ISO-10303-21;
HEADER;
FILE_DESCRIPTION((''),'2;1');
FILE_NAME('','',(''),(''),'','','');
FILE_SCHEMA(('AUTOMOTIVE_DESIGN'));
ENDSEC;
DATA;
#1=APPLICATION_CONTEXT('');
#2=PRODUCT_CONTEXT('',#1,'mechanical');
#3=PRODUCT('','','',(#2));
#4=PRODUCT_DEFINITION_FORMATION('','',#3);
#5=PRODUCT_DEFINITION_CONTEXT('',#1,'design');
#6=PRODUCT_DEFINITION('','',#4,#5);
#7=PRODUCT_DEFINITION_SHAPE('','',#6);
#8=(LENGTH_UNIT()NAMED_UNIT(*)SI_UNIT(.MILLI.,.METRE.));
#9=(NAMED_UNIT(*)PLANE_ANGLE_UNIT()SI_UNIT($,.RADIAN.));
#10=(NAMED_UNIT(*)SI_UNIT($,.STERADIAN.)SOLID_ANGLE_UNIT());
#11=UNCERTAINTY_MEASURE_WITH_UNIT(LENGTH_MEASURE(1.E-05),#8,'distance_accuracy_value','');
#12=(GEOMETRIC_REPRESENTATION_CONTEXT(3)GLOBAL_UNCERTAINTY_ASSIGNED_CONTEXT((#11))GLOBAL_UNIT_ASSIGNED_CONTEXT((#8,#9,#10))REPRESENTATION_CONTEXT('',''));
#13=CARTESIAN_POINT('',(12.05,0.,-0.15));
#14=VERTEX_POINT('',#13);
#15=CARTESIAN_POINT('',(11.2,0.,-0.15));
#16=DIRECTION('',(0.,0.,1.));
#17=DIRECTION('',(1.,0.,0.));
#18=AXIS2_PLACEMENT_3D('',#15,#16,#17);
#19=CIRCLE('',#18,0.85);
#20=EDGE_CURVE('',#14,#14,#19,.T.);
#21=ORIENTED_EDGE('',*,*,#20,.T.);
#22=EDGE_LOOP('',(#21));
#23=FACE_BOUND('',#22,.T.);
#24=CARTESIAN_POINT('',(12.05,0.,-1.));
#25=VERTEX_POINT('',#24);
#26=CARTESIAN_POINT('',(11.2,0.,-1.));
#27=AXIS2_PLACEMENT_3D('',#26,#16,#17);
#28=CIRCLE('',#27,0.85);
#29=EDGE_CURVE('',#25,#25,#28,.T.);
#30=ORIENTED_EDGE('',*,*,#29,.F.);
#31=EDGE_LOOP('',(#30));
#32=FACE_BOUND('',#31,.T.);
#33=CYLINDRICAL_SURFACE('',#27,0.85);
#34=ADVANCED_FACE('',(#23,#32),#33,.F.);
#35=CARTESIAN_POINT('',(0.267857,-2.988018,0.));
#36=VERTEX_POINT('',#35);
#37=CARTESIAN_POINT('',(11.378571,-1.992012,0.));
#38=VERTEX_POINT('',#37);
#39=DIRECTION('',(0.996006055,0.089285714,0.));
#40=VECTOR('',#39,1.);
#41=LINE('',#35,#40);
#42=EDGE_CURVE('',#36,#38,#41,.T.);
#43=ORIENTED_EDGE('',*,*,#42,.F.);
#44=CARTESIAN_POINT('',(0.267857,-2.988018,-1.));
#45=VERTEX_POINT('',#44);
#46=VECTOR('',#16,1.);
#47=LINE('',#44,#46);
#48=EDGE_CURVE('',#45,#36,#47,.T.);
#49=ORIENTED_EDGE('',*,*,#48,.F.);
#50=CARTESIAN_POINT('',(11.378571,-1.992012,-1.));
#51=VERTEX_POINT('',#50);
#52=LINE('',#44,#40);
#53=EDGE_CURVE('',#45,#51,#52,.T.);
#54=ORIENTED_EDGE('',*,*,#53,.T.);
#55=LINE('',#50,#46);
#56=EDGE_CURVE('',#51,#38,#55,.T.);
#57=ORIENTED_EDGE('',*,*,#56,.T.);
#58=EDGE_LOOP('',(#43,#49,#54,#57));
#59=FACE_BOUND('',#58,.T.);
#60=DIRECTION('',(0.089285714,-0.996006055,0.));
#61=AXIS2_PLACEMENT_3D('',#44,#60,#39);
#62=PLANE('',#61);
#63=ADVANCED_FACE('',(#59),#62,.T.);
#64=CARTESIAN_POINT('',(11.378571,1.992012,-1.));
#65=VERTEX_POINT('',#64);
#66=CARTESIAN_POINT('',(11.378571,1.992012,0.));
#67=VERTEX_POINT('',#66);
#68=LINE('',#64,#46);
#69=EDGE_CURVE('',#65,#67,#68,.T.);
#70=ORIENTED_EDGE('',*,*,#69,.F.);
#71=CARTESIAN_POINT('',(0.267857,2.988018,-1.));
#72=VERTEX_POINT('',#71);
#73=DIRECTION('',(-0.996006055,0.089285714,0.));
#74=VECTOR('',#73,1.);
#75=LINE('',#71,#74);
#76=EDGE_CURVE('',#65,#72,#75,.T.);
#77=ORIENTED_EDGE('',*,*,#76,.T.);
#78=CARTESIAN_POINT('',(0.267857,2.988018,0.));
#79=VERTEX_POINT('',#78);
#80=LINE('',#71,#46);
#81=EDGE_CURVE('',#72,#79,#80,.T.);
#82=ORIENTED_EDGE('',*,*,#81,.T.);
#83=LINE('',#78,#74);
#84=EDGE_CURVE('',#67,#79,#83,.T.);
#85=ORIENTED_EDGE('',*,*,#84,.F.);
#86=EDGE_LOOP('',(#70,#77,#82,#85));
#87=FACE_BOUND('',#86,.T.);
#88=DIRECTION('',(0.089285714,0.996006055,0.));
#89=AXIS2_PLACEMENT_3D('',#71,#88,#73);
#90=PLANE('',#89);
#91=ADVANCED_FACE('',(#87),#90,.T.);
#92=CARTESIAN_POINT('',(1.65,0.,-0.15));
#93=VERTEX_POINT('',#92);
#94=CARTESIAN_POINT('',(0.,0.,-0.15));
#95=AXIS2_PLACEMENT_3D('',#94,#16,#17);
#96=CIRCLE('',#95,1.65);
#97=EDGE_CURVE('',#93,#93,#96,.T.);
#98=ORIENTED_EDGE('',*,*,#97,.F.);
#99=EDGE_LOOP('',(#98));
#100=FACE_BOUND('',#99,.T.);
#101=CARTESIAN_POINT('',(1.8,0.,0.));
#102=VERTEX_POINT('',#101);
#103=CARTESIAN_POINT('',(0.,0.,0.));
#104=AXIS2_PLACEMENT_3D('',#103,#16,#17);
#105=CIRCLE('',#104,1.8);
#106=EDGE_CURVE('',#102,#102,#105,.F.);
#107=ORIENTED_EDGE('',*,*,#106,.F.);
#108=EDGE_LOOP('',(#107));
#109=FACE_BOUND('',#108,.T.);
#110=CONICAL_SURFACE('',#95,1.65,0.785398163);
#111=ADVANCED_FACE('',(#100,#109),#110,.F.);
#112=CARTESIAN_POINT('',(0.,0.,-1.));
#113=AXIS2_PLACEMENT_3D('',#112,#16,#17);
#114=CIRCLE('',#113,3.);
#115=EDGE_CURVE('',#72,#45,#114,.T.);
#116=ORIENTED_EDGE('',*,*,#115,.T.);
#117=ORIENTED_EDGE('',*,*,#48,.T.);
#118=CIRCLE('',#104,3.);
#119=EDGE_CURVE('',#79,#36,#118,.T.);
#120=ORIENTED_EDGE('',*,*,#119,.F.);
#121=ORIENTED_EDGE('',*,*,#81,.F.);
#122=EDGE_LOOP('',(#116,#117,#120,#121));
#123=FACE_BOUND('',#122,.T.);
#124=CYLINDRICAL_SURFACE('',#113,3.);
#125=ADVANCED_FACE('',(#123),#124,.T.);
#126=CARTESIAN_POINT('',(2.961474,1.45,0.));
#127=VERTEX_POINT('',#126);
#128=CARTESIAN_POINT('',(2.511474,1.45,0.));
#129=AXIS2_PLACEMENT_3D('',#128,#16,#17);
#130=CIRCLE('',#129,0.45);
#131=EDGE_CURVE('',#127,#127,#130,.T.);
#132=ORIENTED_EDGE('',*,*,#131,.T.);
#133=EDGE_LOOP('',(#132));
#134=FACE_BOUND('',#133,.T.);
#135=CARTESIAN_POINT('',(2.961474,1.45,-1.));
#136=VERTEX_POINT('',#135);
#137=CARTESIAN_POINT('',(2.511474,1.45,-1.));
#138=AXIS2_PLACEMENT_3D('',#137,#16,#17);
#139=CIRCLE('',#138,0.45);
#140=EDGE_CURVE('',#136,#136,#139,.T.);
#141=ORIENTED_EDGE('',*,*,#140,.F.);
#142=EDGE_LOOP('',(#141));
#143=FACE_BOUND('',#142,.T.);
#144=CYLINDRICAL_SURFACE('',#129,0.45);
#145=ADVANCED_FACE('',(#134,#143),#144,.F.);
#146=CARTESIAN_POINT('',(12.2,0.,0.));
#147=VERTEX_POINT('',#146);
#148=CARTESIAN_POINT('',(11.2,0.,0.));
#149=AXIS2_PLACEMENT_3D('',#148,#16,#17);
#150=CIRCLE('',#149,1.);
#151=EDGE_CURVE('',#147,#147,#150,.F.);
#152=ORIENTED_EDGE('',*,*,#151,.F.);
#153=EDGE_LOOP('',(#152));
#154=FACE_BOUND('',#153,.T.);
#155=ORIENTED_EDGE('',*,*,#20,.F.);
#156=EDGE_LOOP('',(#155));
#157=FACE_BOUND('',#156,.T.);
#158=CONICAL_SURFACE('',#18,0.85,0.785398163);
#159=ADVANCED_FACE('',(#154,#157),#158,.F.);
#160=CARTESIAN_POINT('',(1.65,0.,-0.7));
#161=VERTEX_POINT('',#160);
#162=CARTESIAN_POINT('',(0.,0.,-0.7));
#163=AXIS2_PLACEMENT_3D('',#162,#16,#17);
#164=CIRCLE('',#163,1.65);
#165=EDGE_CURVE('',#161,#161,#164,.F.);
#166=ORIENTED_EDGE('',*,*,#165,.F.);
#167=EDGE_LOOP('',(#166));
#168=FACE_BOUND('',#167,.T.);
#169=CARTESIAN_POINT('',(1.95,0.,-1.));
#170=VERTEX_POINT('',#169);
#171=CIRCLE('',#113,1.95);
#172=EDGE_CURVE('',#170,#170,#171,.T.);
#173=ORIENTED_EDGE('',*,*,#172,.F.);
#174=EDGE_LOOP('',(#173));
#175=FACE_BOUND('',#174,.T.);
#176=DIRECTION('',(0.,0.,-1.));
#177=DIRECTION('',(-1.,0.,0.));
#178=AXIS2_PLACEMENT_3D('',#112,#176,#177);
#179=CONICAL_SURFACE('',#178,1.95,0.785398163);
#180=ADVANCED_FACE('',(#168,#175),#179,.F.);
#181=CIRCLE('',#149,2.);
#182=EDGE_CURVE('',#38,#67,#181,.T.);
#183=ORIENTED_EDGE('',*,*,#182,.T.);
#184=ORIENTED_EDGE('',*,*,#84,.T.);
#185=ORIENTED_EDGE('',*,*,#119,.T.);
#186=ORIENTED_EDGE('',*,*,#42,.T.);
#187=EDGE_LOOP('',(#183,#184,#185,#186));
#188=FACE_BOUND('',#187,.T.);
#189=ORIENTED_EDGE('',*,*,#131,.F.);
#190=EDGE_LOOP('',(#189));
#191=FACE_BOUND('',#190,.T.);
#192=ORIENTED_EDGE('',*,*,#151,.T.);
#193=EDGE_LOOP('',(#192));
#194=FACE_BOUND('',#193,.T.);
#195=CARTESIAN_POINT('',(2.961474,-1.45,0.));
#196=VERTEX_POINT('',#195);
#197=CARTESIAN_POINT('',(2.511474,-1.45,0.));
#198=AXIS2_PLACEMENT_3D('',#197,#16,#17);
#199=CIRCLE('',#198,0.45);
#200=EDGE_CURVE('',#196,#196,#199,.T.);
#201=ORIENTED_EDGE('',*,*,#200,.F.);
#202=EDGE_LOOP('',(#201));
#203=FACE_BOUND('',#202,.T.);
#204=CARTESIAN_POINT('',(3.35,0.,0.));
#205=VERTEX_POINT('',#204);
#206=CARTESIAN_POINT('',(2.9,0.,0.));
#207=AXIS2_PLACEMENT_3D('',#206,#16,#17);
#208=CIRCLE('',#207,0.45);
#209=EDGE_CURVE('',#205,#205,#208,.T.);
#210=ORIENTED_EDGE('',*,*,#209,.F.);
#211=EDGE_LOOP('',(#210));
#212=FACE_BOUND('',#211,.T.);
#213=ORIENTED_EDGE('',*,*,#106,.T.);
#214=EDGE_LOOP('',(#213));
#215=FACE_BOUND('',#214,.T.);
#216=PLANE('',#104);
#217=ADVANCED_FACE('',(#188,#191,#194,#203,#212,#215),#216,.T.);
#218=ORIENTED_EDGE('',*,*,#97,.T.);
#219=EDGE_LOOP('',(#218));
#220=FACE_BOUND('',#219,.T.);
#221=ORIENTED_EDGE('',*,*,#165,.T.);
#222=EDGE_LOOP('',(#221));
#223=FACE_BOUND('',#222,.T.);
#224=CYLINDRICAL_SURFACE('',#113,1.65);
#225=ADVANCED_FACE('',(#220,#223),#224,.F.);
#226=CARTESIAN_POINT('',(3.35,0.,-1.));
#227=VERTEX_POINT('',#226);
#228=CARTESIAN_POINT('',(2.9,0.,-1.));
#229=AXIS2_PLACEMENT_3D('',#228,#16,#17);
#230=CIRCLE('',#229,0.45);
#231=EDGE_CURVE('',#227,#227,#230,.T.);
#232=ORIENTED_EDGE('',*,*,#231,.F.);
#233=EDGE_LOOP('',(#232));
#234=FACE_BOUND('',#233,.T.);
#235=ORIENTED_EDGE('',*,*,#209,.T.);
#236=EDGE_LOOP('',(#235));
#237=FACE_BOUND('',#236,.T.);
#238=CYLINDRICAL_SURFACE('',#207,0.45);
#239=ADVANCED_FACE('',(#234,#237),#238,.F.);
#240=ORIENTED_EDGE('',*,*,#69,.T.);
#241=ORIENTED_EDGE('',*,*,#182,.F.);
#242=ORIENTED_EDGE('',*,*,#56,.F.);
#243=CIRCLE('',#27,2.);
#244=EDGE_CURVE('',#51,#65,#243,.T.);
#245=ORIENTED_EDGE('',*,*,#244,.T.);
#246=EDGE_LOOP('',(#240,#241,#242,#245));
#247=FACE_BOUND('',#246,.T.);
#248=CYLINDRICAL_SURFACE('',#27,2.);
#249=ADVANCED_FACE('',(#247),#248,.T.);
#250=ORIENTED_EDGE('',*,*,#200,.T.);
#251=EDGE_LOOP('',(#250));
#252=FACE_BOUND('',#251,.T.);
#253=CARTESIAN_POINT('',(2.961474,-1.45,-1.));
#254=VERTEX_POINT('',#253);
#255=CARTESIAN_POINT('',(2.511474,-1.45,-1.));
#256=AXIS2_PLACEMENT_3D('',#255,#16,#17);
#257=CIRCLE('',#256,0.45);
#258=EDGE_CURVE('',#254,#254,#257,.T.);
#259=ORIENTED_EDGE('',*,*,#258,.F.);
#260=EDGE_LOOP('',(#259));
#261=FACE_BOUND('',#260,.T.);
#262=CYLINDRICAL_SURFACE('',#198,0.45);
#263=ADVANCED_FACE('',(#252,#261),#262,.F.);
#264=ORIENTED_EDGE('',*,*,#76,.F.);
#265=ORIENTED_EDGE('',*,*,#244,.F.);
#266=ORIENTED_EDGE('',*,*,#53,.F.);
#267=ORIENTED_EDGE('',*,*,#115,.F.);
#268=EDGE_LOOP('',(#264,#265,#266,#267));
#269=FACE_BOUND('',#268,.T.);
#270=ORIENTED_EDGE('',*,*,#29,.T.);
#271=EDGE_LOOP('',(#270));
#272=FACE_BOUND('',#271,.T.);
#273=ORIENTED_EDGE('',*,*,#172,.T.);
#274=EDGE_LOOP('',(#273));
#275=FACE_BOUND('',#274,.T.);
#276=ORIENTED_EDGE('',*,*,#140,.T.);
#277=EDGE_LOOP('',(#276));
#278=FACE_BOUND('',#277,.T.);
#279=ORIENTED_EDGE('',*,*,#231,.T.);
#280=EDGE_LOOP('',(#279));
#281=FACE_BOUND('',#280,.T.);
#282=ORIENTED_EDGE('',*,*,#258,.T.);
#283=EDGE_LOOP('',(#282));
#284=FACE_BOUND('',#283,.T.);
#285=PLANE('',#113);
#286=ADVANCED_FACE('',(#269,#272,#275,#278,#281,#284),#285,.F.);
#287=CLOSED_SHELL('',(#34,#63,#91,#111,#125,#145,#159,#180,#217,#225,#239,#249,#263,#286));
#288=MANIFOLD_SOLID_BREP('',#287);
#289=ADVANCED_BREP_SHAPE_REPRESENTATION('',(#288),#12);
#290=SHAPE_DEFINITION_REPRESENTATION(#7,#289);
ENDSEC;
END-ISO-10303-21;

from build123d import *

# Parameters (mm, degrees)
BOSS_EXTRUDE1_DEPTH            = 1
SKETCH2_R                      = 1.65
SKETCH2_R_2                    = 0.85
CUT_EXTRUDE1_DEPTH             = 2
CHAMFER1_SIZE                  = 0.15
CHAMFER2_SIZE                  = 0.3
F_0_9_0_9_DIAMETER_HOLE1_D     = 0.9
F_0_9_0_9_DIAMETER_HOLE1_DEPTH = 1


with BuildPart() as part:
    # Sketch1 → Boss-Extrude1 (new body)
    with BuildSketch(Plane.XY):
        with BuildLine():
            Line((0.267857143, 2.988018164), (11.378571429, 1.99201211))
            ThreePointArc((11.378571429, 1.99201211), (13.2, 0), (11.378571429, -1.99201211))
            Line((11.378571429, -1.99201211), (0.267857143, -2.988018164))
            ThreePointArc((0.267857143, -2.988018164), (-3, 0), (0.267857143, 2.988018164))
        make_face()
    extrude(amount=-BOSS_EXTRUDE1_DEPTH)

    # Sketch2 → Cut-Extrude1 (cut, through all)
    with BuildSketch(Plane.XY):
        Circle(SKETCH2_R)
        with Locations((11.2, 0)):
            Circle(SKETCH2_R_2)
    extrude(amount=-CUT_EXTRUDE1_DEPTH, mode=Mode.SUBTRACT)

    # Chamfer1
    chamfer1_edges = [part.edges().sort_by_distance(p)[0] for p in [
        (-1.65, 0, 0),
        (10.35, 0, 0),
    ]]
    chamfer(chamfer1_edges, length=CHAMFER1_SIZE)

    # Chamfer2
    chamfer2_edges = [part.edges().sort_by_distance(p)[0] for p in [
        (-1.65, 0, -1),
    ]]
    chamfer(chamfer2_edges, length=CHAMFER2_SIZE)

    # Ø0.9 (0.9) Diameter Hole1
    with Locations(Plane.XY):
        with Locations((2.9, 0), (2.511473671, 1.45), (2.511473671, -1.45)):
            Hole(F_0_9_0_9_DIAMETER_HOLE1_D / 2, depth=F_0_9_0_9_DIAMETER_HOLE1_DEPTH)


solid = part.part
